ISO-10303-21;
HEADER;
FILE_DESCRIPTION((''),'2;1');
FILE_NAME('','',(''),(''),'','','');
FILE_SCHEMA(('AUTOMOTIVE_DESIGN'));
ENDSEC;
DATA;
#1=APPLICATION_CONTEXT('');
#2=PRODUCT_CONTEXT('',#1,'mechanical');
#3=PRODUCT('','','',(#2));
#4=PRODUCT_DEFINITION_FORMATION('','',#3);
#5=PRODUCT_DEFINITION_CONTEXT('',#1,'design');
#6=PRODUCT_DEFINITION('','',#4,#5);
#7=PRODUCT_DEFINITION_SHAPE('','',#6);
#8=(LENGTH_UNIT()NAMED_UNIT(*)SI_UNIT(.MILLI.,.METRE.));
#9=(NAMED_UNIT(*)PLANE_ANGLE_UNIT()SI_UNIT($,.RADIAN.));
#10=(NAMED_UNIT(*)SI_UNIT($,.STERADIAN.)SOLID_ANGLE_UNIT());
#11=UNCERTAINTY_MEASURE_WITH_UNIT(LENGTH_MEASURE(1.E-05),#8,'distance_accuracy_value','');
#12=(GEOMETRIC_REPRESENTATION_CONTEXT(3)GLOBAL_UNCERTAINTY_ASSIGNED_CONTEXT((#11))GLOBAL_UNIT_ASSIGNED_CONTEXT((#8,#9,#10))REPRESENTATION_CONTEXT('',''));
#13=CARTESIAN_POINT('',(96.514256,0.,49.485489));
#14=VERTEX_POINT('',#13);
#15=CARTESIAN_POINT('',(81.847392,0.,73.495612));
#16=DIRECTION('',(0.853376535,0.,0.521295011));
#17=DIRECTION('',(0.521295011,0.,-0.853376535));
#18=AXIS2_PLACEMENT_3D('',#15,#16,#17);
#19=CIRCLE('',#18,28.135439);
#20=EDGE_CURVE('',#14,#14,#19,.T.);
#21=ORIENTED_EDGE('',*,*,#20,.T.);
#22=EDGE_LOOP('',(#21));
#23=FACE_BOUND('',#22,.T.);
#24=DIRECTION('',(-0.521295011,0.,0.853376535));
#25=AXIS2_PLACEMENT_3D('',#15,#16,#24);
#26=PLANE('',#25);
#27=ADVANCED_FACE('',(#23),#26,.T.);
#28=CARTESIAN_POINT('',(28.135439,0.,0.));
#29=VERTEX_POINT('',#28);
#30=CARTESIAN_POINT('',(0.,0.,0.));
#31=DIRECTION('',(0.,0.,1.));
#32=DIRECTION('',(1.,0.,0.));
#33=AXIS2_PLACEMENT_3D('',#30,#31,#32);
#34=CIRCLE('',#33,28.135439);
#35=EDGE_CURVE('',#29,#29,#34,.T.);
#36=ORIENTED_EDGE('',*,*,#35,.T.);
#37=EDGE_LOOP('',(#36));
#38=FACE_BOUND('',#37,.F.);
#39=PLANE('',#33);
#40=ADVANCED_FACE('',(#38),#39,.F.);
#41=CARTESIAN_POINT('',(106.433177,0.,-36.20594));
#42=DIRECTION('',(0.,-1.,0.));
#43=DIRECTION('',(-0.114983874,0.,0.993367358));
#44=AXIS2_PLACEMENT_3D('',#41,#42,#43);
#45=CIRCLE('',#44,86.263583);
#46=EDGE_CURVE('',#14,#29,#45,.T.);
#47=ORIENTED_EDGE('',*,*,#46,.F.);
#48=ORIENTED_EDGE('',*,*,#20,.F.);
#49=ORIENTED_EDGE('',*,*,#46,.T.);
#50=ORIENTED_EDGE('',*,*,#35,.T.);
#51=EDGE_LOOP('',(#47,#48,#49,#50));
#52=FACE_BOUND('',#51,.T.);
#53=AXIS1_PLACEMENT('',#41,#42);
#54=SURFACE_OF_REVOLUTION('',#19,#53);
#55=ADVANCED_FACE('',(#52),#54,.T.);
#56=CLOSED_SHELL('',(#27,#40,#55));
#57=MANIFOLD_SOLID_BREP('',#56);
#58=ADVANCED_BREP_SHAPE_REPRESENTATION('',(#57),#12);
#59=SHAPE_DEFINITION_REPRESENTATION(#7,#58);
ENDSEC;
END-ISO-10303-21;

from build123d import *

# Parameters (mm, degrees)
F0_R = 28.135439


with BuildPart() as f2:
    # F2: sweep along a path in F1
    with BuildLine(Plane.XZ) as f2_path:
        ThreePointArc((81.847392, 73.495612), (31.320639, 47.44212), (0, 0))
    # F0 (on Top) → F2 (sweep)
    with BuildSketch(Plane.XY):
        Circle(F0_R)
    sweep(path=f2_path.line)


solid = f2.part
